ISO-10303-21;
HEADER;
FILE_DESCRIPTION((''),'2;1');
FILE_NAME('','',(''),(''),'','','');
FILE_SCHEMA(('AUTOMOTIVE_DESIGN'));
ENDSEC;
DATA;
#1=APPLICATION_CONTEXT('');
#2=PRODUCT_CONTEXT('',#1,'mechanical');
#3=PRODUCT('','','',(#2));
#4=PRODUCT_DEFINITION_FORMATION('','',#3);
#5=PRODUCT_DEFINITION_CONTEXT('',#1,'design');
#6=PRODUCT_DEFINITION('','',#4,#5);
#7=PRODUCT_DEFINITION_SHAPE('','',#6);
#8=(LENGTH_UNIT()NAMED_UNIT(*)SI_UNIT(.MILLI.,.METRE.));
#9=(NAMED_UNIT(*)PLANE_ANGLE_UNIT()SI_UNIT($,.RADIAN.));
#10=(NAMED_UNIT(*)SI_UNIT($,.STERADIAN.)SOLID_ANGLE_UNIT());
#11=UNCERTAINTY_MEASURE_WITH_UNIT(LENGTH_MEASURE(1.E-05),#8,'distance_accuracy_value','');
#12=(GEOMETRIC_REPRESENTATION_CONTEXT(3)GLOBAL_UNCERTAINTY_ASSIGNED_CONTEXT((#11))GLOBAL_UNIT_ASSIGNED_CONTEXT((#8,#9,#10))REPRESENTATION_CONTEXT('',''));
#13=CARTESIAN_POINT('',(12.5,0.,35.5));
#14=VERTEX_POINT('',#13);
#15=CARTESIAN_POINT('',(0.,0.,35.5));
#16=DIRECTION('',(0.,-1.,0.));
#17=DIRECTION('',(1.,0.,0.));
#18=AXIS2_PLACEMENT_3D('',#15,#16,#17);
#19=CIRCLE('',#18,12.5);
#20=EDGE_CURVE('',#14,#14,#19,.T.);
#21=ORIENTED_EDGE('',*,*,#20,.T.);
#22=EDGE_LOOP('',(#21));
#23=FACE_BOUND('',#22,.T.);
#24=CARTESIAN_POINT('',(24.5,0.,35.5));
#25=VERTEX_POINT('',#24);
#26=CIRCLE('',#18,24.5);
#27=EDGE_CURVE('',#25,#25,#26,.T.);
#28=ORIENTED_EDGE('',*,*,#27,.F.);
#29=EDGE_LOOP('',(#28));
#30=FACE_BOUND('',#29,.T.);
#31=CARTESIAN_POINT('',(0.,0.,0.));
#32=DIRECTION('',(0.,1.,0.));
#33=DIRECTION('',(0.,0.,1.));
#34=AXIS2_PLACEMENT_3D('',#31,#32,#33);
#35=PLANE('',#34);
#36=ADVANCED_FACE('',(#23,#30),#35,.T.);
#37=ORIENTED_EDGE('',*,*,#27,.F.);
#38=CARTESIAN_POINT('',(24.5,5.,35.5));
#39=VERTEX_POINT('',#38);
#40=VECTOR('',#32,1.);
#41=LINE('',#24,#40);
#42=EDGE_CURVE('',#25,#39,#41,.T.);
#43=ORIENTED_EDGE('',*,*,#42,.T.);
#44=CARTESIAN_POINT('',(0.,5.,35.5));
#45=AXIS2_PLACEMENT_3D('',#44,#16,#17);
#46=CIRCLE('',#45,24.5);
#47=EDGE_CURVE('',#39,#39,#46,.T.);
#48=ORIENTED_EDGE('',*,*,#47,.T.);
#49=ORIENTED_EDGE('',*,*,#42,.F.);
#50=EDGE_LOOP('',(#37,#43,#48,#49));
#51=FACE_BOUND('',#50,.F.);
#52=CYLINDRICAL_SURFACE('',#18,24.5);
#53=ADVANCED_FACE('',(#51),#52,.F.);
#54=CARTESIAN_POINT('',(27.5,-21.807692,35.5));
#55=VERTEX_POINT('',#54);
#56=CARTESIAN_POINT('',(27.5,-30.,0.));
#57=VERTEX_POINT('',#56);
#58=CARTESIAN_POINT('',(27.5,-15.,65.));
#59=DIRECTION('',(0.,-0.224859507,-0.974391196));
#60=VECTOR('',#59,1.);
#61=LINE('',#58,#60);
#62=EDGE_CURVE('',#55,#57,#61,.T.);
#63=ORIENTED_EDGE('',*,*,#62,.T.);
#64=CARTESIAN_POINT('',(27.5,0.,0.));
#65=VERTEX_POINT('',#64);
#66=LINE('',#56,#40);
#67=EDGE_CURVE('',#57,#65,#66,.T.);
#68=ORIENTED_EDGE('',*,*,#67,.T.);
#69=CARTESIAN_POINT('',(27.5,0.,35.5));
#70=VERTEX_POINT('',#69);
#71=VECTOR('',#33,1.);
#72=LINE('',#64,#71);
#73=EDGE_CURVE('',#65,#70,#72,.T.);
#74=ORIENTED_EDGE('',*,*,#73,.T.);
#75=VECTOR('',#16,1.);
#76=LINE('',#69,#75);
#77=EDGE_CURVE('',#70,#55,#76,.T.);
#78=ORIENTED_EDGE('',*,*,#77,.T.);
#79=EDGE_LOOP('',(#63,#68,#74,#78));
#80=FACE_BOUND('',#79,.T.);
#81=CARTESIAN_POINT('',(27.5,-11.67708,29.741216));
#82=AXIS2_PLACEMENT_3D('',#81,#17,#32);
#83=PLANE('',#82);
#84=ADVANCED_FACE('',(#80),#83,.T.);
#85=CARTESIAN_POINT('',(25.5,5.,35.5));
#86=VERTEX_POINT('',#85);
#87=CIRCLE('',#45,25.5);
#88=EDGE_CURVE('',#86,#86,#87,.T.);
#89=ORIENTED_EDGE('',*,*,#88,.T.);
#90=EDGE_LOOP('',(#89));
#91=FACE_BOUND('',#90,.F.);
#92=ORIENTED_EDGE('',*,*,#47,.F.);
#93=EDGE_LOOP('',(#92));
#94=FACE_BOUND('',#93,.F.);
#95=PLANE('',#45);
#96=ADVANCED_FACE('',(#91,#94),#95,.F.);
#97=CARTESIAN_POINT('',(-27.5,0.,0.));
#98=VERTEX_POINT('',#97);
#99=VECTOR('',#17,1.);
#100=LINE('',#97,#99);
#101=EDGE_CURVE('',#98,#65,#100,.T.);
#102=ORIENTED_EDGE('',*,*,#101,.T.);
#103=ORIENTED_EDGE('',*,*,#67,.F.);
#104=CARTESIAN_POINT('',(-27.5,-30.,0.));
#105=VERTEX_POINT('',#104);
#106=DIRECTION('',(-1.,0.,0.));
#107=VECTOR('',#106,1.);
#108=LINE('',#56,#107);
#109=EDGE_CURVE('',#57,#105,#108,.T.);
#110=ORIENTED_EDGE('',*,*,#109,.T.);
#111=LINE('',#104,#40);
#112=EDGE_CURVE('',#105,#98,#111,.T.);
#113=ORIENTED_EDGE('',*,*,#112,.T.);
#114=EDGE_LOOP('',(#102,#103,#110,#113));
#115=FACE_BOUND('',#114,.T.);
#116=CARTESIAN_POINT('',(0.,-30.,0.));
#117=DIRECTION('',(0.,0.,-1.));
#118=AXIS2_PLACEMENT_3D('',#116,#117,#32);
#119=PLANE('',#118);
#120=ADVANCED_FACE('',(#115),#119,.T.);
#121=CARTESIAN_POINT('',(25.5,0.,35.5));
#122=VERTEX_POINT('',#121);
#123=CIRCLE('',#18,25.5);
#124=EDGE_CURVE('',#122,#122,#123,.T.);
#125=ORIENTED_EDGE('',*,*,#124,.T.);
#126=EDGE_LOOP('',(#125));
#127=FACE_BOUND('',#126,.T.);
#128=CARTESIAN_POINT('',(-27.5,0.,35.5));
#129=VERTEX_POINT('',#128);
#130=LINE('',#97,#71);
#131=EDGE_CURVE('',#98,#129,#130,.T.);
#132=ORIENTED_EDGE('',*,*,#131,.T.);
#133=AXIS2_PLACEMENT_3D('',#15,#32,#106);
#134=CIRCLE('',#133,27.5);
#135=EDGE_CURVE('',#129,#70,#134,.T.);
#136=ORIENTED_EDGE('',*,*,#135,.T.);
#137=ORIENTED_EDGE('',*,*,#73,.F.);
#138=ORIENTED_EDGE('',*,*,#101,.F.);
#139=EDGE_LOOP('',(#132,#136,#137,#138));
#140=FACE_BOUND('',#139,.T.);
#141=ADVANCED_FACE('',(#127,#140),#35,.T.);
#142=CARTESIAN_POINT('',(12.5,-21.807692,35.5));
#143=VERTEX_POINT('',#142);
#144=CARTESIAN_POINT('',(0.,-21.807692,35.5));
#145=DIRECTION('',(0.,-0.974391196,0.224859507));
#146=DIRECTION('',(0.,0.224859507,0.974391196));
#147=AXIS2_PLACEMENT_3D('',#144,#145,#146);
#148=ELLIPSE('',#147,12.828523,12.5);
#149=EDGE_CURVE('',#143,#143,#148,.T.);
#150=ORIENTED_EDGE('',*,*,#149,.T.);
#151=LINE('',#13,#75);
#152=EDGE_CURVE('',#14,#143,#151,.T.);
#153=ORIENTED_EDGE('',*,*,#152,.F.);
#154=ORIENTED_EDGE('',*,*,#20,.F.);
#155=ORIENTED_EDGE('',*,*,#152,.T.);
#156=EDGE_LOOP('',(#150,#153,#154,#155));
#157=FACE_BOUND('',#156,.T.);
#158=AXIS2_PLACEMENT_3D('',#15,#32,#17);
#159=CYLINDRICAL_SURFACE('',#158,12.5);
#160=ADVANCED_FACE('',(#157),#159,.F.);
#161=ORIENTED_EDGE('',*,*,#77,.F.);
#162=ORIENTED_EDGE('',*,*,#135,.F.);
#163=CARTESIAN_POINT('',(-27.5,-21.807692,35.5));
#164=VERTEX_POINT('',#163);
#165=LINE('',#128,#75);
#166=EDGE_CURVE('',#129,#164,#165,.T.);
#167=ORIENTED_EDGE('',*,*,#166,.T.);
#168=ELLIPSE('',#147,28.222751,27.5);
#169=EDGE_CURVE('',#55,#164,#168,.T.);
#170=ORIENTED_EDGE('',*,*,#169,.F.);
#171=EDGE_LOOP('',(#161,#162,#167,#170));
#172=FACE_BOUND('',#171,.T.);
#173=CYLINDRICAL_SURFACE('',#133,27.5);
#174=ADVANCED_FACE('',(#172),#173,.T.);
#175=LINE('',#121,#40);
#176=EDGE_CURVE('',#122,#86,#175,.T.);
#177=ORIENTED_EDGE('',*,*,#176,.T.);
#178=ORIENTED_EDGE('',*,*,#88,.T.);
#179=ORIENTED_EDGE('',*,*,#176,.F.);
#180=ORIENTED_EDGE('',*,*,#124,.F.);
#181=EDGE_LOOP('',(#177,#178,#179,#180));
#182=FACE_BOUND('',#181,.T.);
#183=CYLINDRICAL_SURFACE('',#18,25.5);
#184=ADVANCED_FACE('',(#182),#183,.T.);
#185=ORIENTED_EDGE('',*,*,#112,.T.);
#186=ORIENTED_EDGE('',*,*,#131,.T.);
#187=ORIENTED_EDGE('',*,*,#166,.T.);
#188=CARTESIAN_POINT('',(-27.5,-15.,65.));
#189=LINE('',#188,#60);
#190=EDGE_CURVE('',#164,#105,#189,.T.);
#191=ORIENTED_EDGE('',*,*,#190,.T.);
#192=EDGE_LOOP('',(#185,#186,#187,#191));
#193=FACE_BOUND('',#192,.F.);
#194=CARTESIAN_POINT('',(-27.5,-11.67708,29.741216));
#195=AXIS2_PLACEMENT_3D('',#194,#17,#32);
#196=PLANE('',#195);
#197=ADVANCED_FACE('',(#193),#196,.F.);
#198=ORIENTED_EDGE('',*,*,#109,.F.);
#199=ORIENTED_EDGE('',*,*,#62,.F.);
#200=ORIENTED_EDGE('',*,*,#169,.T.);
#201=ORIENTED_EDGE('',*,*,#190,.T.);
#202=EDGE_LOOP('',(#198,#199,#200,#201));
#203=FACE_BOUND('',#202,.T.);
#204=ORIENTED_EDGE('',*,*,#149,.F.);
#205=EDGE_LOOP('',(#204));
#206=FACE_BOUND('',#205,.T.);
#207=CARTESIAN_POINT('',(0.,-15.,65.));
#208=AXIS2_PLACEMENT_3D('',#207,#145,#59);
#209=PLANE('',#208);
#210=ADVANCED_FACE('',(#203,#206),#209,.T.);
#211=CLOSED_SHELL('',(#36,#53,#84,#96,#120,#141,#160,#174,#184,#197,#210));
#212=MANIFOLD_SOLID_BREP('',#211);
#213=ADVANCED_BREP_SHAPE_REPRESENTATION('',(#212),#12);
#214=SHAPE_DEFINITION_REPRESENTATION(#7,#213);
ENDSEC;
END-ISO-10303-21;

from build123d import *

# Parameters (mm, degrees)
F0_R     = 25.5
F0_R_2   = 24.5
F1_DEPTH = 5
F3_DEPTH = 27.5
F4_R     = 12.5
F5_DEPTH = 30.001


with BuildPart() as f1:
    # F0 (on Front) → F1 (new body)
    with BuildSketch(Plane.XZ):
        with Locations((0, 35.5)):
            Circle(F0_R)
        with Locations((0, 35.5)):
            Circle(F0_R_2, mode=Mode.SUBTRACT)
    extrude(amount=-F1_DEPTH)

    # F2 (on Right) → F3 (join, symmetric)
    with BuildSketch(Plane.YZ):
        Polygon((-30, 0), (0, 0), (0, 65), (-15, 65), align=None)
    extrude(amount=F3_DEPTH, both=True)

    # F4 (on Front) → F5 (cut, through all)
    with BuildSketch(Plane.XZ):
        with BuildLine():
            ThreePointArc((-27.5, 35.5), (0, 63), (27.5, 35.5))
            Line((27.5, 35.5), (32.5, 35.5))
            Line((32.5, 35.5), (32.5, 70))
            Line((32.5, 70), (-32.5, 70))
            Line((-32.5, 70), (-32.5, 35.5))
            Line((-32.5, 35.5), (-27.5, 35.5))
        make_face()
        with Locations((0, 35.5)):
            Circle(F4_R)
    extrude(amount=F5_DEPTH, mode=Mode.SUBTRACT)


solid = f1.part
